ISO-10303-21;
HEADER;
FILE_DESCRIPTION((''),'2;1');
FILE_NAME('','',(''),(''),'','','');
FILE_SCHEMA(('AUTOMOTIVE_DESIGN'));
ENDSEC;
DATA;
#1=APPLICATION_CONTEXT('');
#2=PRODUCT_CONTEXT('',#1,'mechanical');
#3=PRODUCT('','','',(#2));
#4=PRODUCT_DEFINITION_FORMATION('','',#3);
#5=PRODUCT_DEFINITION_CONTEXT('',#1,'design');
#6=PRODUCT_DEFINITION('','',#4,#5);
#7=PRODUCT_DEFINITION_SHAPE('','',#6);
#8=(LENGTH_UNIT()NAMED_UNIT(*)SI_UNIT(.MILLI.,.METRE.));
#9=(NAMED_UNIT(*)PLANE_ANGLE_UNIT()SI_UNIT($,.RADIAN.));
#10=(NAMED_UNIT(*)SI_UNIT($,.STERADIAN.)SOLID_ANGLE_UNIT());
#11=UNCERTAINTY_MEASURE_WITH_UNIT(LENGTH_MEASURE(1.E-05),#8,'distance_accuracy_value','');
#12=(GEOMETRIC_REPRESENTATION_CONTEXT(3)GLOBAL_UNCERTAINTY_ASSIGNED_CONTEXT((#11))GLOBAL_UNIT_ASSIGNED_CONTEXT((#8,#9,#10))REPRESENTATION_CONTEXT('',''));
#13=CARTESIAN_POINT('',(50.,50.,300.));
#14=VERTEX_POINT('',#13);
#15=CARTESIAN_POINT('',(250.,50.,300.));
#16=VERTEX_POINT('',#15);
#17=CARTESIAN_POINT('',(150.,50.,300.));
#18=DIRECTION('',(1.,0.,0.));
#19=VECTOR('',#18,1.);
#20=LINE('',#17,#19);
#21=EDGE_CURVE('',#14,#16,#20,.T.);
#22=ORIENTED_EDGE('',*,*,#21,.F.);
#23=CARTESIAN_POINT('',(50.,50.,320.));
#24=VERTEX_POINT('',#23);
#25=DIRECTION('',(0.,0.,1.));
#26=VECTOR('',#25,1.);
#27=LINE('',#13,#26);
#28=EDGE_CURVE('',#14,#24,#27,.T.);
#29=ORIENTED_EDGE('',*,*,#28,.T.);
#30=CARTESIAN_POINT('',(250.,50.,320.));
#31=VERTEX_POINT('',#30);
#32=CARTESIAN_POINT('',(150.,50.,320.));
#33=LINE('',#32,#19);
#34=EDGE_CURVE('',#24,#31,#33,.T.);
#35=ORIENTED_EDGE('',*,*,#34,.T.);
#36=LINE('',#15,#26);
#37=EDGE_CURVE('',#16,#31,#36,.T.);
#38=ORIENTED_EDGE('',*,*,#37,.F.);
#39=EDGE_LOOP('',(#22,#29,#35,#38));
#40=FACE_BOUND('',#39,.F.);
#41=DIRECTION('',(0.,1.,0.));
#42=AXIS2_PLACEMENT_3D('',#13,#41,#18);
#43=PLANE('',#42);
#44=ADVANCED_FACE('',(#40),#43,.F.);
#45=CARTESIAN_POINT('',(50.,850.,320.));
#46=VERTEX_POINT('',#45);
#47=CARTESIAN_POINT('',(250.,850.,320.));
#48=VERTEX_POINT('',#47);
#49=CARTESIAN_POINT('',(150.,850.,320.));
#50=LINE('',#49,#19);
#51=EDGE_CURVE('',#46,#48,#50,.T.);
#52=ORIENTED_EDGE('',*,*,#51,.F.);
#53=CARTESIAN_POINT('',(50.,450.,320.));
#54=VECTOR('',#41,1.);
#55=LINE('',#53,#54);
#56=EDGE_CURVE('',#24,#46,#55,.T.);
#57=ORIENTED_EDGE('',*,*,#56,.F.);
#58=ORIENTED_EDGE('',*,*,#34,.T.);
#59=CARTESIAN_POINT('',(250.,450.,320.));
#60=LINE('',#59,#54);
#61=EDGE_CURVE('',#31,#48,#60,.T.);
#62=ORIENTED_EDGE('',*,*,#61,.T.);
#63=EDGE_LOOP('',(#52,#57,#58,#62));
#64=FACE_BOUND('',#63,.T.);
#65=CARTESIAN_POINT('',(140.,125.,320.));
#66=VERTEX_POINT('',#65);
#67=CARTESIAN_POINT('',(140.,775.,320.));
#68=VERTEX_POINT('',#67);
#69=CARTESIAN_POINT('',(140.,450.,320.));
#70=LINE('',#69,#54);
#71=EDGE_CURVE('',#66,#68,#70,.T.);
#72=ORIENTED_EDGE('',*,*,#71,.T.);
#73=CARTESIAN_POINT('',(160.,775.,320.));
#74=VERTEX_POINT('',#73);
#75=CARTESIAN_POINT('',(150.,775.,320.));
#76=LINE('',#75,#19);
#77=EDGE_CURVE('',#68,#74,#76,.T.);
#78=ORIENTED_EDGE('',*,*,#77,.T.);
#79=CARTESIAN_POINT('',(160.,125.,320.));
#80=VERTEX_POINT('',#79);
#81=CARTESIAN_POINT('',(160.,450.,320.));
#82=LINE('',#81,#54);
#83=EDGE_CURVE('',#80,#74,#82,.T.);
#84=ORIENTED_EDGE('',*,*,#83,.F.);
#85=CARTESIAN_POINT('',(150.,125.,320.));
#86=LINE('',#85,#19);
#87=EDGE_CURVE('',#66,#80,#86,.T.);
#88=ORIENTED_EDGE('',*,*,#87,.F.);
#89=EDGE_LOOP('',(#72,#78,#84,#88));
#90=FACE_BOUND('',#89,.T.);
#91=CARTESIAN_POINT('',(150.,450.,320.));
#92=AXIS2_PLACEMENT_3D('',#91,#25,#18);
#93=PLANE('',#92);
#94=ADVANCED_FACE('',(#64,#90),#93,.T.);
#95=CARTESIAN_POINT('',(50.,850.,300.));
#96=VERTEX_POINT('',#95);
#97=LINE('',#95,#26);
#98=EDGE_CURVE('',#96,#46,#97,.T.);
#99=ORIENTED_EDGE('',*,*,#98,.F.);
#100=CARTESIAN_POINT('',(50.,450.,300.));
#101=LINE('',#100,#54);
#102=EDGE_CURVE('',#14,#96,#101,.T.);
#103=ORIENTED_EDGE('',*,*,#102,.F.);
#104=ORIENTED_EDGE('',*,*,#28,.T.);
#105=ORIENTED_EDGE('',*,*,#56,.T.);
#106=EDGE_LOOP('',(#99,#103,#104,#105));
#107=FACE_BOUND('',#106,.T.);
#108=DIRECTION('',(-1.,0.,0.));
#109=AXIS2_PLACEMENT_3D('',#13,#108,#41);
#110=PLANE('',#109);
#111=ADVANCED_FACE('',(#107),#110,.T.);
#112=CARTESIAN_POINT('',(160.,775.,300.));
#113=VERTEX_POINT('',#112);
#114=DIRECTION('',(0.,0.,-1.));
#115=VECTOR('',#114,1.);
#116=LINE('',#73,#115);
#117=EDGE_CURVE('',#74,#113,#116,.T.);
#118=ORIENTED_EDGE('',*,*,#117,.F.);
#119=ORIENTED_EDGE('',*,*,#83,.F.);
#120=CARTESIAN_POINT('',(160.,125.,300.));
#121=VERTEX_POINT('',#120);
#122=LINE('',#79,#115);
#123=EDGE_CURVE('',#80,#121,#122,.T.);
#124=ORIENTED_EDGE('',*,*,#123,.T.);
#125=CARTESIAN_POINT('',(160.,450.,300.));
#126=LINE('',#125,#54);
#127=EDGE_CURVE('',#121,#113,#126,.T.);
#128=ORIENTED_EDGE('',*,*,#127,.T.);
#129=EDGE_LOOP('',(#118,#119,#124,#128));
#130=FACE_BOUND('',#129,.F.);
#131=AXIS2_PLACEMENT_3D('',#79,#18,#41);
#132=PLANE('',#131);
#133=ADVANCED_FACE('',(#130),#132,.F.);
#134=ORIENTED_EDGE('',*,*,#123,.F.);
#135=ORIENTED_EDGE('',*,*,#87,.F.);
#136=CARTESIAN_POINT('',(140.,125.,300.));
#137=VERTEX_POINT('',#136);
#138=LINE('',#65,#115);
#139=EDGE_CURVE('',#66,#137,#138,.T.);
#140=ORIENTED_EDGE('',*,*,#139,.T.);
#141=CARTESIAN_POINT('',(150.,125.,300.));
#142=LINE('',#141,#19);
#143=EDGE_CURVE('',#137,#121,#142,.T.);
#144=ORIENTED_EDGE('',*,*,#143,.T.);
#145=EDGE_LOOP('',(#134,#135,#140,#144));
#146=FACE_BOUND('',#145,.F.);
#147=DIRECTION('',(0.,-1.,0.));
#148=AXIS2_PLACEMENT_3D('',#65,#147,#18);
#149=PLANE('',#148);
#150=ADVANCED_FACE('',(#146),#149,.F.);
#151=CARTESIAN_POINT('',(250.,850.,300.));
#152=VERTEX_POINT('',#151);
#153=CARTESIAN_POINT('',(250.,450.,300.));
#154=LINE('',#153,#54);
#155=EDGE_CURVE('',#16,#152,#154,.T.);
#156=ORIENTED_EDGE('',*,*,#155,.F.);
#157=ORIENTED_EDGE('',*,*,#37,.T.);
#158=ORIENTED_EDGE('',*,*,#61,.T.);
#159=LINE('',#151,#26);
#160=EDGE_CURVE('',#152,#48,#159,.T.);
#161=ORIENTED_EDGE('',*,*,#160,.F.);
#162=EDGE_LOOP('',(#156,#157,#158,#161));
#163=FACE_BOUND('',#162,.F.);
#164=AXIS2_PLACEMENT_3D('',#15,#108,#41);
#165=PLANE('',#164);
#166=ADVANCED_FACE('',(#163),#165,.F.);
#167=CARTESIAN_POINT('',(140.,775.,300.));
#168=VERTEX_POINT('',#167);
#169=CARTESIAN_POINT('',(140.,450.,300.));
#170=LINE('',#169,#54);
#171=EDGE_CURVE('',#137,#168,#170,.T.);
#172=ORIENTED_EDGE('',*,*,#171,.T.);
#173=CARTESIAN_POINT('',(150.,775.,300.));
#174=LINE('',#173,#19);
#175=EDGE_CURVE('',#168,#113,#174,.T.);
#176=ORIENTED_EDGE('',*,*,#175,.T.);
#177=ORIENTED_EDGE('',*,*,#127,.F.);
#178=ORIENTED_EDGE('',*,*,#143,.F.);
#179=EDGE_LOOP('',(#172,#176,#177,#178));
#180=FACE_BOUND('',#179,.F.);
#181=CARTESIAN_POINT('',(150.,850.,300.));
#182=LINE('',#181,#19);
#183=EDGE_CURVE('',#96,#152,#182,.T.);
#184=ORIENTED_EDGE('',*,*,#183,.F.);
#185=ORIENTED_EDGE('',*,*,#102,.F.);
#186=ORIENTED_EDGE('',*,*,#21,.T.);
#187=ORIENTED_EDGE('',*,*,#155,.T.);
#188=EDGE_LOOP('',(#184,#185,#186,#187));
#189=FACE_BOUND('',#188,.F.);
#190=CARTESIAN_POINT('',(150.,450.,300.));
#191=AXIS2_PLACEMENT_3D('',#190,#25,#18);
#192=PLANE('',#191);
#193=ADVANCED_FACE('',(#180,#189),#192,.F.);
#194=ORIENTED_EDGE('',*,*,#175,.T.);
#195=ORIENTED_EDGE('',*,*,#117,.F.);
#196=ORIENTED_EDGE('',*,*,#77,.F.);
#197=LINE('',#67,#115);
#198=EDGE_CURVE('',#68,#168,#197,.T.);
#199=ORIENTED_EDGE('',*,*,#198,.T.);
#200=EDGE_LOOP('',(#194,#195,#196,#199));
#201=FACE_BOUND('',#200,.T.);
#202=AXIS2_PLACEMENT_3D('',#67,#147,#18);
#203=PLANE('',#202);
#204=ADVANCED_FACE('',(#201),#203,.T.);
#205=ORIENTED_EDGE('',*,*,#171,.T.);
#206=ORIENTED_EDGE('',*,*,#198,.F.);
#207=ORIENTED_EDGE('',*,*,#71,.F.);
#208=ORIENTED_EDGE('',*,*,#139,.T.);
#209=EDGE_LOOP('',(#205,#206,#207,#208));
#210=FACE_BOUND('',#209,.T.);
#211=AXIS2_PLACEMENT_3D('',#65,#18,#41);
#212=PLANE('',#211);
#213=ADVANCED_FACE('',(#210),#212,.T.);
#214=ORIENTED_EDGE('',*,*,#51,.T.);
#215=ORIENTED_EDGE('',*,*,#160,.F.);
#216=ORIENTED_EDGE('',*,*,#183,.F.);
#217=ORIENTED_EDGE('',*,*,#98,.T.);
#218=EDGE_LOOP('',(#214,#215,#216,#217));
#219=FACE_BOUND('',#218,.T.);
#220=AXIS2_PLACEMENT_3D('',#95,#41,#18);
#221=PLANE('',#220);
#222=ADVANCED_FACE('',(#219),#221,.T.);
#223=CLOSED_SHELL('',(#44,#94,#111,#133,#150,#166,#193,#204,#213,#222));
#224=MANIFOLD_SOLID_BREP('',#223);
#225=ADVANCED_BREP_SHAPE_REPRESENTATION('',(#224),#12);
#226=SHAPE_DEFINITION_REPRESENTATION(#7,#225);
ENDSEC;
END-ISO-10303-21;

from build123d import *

# Parameters (mm, degrees)
RECTANGLE027_W   = 20
RECTANGLE027_H   = 650
EXTRUDE063_DEPTH = 20
RECTANGLE026_W   = 200
RECTANGLE026_H   = 800
EXTRUDE062_DEPTH = 20


with BuildPart() as extrude063:
    # Rectangle027 → Extrude063 (new body)
    with BuildSketch(Plane(origin=(289.620605, 275.315636, 420), x_dir=(1, 0, 0), z_dir=(0, 0, 1))):
        with Locations((10, 325)):
            Rectangle(RECTANGLE027_W, RECTANGLE027_H)
    extrude(amount=-EXTRUDE063_DEPTH)


with BuildPart() as extrude063_1:
    # Extrude063 placement: moved
    add(extrude063.part.moved(Location((-149.620605, -150.315636, -100))))


with BuildPart() as cut015:
    # Rectangle026 → Extrude062 (new body)
    with BuildSketch(Plane(origin=(207.600586, 206.495789, 400), x_dir=(1, 0, 0), z_dir=(0, 0, 1))):
        with Locations((100, 400)):
            Rectangle(RECTANGLE026_W, RECTANGLE026_H)
    extrude(amount=EXTRUDE062_DEPTH)


with BuildPart() as cut015_1:
    # Extrude062 placement: moved
    add(cut015.part.moved(Location((-157.600586, -156.495789, -100))))

    # Cut015: cut Extrude063
    add(extrude063_1.part, mode=Mode.SUBTRACT)


solid = cut015_1.part
